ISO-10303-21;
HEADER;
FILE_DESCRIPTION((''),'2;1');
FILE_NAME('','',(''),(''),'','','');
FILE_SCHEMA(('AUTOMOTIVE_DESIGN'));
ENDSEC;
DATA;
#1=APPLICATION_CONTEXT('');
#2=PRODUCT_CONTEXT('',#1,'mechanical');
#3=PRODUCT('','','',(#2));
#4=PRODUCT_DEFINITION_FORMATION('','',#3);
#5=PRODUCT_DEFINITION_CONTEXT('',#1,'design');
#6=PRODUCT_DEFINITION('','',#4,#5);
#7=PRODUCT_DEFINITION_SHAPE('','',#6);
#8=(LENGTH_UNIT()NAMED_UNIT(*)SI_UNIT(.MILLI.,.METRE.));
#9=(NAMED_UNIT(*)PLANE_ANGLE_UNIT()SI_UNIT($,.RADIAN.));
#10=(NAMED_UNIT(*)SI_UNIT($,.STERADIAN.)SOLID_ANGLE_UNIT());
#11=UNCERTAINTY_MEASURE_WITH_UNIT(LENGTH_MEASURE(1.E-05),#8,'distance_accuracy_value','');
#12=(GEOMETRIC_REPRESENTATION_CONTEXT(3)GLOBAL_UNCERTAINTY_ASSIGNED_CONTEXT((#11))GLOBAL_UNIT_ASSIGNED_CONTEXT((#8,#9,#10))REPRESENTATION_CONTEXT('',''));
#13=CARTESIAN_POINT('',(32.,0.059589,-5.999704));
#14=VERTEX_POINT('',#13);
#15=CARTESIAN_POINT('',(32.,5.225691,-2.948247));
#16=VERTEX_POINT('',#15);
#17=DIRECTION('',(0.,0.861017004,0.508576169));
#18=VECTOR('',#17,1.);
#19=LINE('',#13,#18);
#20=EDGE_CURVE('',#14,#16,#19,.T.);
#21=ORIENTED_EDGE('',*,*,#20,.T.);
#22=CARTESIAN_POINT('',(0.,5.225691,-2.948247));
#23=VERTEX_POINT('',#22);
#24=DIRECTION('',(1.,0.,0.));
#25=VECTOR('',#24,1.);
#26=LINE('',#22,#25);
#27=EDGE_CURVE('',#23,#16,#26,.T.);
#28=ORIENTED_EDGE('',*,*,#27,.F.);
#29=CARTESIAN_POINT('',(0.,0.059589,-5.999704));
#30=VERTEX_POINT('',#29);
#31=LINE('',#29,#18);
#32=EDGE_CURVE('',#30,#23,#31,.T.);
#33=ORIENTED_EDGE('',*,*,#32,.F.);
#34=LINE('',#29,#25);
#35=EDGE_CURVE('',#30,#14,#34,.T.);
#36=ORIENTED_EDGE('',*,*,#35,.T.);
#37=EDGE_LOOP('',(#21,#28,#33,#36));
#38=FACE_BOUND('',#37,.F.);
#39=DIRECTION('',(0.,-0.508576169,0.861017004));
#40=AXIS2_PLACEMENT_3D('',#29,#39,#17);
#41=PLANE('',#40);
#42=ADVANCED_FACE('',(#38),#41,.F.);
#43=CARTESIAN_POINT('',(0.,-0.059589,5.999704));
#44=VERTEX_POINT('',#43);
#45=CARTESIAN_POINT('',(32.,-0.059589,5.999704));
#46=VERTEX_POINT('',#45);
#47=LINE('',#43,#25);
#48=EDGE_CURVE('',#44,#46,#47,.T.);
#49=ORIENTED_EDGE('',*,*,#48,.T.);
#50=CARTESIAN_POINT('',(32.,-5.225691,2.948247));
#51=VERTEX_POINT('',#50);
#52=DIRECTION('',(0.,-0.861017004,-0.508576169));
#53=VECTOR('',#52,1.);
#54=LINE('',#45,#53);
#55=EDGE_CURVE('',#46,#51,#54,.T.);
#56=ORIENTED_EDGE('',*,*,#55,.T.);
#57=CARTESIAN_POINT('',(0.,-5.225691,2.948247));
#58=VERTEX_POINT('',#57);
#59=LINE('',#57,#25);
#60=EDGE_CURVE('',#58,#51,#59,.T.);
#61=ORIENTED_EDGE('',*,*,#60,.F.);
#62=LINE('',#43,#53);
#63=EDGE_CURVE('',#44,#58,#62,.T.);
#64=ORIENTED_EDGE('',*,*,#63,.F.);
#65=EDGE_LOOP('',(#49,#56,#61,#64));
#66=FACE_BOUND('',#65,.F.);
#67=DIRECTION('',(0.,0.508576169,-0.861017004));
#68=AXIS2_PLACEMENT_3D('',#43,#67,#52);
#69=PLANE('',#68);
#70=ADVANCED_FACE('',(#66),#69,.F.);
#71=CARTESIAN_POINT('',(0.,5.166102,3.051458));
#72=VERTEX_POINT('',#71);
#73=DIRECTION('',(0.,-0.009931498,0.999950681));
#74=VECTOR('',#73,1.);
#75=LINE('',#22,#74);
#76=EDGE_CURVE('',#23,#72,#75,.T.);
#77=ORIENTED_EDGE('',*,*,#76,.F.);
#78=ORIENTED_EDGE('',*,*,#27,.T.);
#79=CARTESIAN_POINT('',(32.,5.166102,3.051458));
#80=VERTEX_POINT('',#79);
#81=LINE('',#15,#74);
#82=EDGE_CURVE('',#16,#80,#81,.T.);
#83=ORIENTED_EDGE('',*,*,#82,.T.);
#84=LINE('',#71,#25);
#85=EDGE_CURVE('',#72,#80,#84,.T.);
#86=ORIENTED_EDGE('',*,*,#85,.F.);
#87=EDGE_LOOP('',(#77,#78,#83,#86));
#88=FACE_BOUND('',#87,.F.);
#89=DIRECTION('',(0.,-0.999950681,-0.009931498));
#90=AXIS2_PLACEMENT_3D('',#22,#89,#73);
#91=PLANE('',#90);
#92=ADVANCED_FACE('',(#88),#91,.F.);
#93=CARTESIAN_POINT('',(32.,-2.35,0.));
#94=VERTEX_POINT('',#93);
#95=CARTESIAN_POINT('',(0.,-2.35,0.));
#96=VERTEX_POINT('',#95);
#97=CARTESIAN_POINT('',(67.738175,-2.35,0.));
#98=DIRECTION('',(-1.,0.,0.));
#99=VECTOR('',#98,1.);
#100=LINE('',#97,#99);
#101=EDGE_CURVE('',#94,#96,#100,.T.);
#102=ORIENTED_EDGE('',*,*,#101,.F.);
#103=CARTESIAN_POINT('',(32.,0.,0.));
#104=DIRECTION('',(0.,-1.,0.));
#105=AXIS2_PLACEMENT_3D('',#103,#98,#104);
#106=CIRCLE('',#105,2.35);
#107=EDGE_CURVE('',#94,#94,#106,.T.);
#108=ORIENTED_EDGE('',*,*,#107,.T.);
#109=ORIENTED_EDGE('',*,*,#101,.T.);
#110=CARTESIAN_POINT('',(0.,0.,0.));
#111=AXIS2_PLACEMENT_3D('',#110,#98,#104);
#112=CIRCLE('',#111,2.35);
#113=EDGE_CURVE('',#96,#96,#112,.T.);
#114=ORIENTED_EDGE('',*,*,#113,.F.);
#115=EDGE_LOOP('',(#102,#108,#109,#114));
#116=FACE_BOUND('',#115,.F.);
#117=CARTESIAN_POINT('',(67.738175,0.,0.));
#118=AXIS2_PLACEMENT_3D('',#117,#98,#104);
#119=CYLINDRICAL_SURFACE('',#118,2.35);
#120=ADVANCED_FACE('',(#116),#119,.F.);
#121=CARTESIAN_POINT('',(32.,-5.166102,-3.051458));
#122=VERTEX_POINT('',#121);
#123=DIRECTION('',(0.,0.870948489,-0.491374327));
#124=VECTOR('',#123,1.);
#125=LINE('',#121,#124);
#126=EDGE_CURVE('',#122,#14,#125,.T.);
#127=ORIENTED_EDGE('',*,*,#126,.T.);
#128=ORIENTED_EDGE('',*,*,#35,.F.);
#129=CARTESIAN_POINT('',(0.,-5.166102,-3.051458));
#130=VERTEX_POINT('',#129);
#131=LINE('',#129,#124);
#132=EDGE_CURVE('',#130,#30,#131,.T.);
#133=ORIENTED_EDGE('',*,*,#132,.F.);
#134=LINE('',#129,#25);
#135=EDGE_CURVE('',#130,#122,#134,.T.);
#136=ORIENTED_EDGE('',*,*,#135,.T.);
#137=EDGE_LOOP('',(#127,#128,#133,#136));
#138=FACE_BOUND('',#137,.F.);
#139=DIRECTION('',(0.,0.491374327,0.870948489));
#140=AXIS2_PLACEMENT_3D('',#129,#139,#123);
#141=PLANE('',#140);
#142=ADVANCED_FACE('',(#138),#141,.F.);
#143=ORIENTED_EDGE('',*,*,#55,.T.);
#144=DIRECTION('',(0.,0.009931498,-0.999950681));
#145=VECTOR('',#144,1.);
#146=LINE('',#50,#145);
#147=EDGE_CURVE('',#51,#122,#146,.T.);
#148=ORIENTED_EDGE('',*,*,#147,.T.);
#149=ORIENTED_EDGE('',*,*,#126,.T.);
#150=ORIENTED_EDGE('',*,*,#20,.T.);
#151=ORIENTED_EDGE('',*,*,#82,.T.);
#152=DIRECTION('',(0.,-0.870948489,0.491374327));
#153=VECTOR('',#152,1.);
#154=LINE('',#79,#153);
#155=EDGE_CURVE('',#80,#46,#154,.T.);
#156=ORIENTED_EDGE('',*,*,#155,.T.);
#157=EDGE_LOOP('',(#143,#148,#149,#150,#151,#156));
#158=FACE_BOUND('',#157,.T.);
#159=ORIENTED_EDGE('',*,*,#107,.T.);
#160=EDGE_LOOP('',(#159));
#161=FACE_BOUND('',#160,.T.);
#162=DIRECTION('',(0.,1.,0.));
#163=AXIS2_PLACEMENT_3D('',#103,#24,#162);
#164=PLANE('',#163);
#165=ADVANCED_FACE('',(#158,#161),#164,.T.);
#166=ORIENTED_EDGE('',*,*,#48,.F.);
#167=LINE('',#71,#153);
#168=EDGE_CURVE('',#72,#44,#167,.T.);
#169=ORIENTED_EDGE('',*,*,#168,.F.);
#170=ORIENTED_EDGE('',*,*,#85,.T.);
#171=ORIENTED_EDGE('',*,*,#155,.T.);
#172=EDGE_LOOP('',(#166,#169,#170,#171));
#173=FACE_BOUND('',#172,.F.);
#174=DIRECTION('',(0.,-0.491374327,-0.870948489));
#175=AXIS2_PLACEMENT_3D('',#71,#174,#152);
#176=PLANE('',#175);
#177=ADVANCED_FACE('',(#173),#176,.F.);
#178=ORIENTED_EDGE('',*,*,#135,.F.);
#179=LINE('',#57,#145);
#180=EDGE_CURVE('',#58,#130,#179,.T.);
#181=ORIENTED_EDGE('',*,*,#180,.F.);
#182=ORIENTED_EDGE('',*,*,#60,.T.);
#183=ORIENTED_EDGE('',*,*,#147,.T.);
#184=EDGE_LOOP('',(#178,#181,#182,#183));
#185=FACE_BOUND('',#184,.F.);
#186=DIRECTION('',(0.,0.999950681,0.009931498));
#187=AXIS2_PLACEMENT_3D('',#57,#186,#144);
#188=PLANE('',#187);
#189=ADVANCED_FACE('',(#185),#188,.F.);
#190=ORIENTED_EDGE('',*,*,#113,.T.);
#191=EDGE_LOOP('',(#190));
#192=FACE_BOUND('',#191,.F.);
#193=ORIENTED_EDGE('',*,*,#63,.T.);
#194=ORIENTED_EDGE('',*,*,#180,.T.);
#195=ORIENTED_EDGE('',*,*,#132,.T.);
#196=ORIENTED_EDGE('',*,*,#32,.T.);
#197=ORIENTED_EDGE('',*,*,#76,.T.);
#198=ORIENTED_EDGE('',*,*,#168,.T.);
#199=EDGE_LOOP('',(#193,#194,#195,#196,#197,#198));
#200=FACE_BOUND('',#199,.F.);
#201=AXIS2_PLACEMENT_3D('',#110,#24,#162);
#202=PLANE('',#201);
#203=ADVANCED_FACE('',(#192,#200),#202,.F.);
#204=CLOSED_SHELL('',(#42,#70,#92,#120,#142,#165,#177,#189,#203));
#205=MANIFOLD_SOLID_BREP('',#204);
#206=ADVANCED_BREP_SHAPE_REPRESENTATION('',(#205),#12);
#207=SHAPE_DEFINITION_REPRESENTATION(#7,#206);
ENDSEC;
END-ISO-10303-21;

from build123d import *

# Parameters (mm, degrees)
F1_DEPTH = 32
F3_D     = 4.7


with BuildPart() as f1:
    # F0 (on Right) → F1 (new body)
    with BuildSketch(Plane.YZ):
        Polygon((0.059589, -5.999704), (5.225691, -2.948247), (5.166102, 3.051458), (-0.059589, 5.999704), (-5.225691, 2.948247), (-5.166102, -3.051458), align=None)
    extrude(amount=F1_DEPTH)

    # F3 (through all)
    with Locations(Plane.YZ.offset(32)):
        with Locations((0, 0)):
            Hole(F3_D / 2)


solid = f1.part
